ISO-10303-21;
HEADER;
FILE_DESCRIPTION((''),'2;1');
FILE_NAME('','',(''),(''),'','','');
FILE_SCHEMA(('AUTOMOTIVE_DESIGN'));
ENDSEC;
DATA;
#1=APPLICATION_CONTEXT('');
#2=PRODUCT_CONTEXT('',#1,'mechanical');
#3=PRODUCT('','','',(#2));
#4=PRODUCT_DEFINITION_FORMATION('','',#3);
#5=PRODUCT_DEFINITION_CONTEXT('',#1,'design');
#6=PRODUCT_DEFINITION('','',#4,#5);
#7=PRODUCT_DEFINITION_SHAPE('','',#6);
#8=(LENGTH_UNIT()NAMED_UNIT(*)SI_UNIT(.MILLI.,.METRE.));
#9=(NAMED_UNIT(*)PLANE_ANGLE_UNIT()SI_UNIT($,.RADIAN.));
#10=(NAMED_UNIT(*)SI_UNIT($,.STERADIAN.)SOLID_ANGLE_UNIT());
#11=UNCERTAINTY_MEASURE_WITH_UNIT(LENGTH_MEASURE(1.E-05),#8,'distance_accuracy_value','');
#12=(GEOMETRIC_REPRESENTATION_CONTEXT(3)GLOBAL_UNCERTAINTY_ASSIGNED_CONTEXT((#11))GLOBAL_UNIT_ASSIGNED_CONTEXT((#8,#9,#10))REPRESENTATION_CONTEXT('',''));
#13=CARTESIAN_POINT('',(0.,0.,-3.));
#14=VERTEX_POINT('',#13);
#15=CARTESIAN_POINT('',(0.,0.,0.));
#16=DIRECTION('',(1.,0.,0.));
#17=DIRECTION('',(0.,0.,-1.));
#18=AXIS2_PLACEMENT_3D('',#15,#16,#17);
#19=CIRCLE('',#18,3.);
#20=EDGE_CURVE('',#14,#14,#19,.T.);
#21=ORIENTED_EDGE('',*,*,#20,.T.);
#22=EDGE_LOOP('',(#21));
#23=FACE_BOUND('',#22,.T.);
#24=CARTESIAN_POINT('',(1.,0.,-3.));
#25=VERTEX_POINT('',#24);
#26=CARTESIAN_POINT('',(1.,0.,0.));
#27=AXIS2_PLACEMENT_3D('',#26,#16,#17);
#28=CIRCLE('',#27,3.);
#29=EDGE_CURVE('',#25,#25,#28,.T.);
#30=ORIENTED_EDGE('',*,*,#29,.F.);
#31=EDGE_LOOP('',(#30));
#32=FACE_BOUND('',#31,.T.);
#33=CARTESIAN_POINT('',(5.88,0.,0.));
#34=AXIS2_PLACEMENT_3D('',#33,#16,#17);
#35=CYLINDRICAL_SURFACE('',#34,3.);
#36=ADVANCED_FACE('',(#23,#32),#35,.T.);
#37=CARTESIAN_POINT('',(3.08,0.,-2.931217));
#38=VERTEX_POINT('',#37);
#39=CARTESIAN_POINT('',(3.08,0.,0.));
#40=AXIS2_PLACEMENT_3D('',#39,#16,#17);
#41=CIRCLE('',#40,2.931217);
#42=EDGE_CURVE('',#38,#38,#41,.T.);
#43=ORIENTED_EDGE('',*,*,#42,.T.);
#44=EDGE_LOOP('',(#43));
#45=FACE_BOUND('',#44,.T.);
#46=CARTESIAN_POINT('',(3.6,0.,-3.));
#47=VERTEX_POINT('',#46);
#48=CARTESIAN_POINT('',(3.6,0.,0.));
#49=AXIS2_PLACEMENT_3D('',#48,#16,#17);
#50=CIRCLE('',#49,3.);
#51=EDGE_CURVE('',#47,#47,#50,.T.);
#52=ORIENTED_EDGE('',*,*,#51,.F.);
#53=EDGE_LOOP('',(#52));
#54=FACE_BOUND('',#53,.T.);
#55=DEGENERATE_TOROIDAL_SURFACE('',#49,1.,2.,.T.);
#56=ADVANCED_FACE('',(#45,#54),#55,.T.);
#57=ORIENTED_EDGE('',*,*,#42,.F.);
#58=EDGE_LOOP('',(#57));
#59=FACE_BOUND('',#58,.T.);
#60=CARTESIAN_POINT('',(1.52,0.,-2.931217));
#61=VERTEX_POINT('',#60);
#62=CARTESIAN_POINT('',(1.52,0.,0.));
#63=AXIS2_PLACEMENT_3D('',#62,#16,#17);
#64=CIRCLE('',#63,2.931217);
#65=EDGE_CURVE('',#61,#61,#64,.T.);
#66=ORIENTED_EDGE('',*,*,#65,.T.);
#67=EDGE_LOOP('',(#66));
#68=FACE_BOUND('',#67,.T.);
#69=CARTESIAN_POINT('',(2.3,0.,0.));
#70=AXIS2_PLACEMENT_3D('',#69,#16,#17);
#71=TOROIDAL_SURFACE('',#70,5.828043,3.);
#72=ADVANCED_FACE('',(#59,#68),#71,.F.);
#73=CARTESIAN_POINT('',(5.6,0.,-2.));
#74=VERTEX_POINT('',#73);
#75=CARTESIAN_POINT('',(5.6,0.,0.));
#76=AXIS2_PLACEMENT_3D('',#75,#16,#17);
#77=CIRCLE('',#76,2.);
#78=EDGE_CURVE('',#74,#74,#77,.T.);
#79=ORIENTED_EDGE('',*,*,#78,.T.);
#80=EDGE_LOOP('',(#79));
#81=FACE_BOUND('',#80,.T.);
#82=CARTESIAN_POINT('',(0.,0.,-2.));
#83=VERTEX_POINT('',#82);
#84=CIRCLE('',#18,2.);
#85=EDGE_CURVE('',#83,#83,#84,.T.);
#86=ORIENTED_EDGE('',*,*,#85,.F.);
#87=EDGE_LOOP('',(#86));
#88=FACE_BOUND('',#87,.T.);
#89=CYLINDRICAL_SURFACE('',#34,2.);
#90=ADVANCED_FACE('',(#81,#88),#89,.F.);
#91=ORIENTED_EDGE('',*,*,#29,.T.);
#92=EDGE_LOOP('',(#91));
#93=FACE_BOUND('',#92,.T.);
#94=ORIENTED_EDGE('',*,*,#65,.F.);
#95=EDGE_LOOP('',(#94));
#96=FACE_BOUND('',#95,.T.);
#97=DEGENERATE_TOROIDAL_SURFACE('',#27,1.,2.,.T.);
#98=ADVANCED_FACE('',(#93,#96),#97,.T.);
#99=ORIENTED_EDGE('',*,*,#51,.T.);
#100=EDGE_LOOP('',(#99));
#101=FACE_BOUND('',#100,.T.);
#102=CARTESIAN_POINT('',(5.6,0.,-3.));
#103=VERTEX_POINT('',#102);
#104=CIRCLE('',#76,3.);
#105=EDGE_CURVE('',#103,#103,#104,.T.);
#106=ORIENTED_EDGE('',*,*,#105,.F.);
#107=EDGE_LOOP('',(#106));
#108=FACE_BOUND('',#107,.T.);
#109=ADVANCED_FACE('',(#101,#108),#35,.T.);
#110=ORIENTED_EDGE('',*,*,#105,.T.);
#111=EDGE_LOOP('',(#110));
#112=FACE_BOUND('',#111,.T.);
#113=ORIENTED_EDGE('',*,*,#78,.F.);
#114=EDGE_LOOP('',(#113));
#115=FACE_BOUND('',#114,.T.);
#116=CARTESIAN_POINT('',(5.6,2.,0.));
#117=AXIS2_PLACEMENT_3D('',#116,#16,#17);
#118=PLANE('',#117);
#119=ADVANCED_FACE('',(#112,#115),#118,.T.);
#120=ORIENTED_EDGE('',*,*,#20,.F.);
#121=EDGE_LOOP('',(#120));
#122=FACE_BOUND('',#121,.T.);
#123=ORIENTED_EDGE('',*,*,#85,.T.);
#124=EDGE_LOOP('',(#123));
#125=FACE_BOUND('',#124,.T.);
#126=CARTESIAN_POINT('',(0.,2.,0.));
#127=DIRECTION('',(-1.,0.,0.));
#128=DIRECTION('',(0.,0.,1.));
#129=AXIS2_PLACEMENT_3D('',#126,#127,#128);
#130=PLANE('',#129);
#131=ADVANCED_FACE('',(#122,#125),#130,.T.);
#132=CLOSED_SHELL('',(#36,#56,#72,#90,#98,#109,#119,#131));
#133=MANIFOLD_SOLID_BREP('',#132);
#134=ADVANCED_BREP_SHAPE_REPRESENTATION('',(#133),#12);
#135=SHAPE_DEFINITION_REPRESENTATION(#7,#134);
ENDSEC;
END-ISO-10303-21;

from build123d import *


with BuildPart() as part:
    # Sketch1 → Revolve1 (revolve)
    with BuildSketch(Plane.XY, mode=Mode.PRIVATE) as revolve1_sk:
        with BuildLine():
            Line((0, 2), (5.6, 2))
            Line((5.6, 2), (5.6, 3))
            Line((5.6, 3), (3.6, 3))
            ThreePointArc((3.6, 3), (3.337735311, 2.982729743), (3.08, 2.931217233))
            ThreePointArc((3.08, 2.931217233), (2.3, 2.828043082), (1.52, 2.931217233))
            ThreePointArc((1.52, 2.931217233), (1.262264689, 2.982729743), (1, 3))
            Line((1, 3), (0, 3))
            Line((0, 3), (0, 2))
        make_face()
    revolve(revolve1_sk.sketch.rotate(Axis((5.88, 0, 0), (-1, 0, 0)), 90), axis=Axis((5.88, 0, 0), (-1, 0, 0)))  # turned: the seam where the file's is


solid = part.part
